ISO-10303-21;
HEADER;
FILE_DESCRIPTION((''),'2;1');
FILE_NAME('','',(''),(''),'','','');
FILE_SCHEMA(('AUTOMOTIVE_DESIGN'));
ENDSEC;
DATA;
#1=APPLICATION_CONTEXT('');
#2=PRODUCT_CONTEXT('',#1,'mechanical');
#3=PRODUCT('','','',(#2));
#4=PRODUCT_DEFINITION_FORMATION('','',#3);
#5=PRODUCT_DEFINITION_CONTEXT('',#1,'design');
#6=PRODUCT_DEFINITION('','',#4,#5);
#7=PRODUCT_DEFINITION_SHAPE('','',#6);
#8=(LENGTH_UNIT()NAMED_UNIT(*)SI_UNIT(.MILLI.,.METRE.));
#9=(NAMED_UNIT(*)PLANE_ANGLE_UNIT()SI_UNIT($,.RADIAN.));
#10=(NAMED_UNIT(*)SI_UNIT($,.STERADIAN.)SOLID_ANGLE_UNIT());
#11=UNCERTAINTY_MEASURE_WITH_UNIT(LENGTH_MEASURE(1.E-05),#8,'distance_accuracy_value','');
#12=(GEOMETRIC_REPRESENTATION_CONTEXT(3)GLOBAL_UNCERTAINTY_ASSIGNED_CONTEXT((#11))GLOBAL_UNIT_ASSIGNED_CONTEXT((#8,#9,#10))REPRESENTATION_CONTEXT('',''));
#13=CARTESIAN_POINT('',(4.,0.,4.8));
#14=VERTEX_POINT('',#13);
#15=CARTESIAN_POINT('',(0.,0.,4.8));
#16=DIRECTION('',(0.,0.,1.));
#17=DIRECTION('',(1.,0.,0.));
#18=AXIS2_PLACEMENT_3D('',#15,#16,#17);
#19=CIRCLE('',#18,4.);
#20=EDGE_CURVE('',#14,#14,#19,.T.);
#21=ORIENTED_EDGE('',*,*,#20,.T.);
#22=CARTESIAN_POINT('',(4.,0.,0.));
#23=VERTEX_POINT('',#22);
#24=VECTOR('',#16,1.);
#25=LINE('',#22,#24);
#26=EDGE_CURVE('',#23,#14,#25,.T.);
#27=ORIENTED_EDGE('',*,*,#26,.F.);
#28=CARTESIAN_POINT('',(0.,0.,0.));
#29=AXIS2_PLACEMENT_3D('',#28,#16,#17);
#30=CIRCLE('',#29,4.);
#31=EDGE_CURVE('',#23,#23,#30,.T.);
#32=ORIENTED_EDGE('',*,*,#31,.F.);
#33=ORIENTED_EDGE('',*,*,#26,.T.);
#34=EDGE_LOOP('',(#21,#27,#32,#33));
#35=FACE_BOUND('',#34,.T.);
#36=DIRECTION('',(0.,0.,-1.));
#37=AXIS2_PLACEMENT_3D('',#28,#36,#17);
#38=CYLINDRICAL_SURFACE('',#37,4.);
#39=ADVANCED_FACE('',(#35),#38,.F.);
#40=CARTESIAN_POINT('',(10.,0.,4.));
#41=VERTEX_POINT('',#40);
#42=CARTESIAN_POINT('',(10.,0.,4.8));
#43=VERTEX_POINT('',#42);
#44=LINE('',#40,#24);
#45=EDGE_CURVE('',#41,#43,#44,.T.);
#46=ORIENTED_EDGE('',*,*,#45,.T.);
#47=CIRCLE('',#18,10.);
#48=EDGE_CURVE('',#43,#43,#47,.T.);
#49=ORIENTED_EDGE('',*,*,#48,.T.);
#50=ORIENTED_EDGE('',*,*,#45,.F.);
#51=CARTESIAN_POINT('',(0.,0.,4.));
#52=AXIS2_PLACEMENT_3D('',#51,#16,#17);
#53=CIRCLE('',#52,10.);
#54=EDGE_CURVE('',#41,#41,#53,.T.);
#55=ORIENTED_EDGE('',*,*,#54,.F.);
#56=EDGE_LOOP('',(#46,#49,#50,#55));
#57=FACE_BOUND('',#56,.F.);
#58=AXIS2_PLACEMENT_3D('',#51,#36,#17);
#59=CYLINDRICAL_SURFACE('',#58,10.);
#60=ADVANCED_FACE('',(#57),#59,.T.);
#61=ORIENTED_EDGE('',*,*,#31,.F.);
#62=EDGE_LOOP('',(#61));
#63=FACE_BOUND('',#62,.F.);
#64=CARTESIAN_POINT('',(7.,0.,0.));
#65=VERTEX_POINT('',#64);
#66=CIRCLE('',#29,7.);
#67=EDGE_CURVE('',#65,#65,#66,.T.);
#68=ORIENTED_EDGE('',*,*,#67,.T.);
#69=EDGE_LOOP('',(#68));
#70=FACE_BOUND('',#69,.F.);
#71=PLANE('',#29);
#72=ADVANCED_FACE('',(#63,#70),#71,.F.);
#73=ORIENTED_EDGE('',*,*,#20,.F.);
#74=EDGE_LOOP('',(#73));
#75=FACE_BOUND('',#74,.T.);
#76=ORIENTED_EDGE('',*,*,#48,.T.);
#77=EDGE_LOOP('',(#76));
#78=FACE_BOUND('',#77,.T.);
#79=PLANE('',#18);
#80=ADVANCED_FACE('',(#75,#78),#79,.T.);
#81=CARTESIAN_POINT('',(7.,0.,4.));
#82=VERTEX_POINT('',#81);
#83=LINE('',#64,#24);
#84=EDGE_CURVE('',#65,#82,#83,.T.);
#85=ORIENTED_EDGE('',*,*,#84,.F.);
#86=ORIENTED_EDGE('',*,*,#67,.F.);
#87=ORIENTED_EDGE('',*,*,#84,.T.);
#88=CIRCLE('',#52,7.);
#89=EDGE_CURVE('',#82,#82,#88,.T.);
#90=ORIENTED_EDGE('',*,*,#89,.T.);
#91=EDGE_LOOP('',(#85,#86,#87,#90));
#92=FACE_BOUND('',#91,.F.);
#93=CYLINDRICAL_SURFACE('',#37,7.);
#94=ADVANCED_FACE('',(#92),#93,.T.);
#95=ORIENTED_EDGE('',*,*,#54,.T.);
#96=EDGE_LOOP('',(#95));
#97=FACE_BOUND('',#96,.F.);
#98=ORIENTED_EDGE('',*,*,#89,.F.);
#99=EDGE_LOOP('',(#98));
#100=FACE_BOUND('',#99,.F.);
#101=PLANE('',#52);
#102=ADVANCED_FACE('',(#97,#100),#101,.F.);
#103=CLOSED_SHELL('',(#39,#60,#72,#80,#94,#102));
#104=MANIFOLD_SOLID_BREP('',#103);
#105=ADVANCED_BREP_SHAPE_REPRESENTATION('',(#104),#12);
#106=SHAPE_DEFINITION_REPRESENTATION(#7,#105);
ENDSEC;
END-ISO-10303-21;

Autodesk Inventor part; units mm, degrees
ref_plane "YZ Plane" through (0, 0, 0) normal (1, 0, 0) x (0, 1, 0)
ref_plane "XZ Plane" through (0, 0, 0) normal (0, 1, 0) x (-1, 0, 0)
ref_plane "XY Plane" through (0, 0, 0) normal (0, 0, 1) x (1, 0, 0)
sketch "スケッチ1" plane through (0, 0, 0) normal (0, 0, 1) x (1, 0, 0)
  circle A0 centre (0, 0) radius 7
  circle A1 centre (0, 0) radius 4
  dimension "d0" = 14
  dimension "d1" = 8
extrude "押し出し1" add sketch "スケッチ1" along normal blind 4
sketch "スケッチ2" plane through (0, 0, 4) normal (0, 0, 1) x (1, 0, 0)
  circle A0 centre (0, 0) radius 10
  circle A1 centre (0, 0) radius 4
  dimension "d4" = 20
  dimension "d5" = 8
extrude "押し出し2" add sketch "スケッチ2" along normal blind 0.8
properties part number "bearing_MF14mm"
